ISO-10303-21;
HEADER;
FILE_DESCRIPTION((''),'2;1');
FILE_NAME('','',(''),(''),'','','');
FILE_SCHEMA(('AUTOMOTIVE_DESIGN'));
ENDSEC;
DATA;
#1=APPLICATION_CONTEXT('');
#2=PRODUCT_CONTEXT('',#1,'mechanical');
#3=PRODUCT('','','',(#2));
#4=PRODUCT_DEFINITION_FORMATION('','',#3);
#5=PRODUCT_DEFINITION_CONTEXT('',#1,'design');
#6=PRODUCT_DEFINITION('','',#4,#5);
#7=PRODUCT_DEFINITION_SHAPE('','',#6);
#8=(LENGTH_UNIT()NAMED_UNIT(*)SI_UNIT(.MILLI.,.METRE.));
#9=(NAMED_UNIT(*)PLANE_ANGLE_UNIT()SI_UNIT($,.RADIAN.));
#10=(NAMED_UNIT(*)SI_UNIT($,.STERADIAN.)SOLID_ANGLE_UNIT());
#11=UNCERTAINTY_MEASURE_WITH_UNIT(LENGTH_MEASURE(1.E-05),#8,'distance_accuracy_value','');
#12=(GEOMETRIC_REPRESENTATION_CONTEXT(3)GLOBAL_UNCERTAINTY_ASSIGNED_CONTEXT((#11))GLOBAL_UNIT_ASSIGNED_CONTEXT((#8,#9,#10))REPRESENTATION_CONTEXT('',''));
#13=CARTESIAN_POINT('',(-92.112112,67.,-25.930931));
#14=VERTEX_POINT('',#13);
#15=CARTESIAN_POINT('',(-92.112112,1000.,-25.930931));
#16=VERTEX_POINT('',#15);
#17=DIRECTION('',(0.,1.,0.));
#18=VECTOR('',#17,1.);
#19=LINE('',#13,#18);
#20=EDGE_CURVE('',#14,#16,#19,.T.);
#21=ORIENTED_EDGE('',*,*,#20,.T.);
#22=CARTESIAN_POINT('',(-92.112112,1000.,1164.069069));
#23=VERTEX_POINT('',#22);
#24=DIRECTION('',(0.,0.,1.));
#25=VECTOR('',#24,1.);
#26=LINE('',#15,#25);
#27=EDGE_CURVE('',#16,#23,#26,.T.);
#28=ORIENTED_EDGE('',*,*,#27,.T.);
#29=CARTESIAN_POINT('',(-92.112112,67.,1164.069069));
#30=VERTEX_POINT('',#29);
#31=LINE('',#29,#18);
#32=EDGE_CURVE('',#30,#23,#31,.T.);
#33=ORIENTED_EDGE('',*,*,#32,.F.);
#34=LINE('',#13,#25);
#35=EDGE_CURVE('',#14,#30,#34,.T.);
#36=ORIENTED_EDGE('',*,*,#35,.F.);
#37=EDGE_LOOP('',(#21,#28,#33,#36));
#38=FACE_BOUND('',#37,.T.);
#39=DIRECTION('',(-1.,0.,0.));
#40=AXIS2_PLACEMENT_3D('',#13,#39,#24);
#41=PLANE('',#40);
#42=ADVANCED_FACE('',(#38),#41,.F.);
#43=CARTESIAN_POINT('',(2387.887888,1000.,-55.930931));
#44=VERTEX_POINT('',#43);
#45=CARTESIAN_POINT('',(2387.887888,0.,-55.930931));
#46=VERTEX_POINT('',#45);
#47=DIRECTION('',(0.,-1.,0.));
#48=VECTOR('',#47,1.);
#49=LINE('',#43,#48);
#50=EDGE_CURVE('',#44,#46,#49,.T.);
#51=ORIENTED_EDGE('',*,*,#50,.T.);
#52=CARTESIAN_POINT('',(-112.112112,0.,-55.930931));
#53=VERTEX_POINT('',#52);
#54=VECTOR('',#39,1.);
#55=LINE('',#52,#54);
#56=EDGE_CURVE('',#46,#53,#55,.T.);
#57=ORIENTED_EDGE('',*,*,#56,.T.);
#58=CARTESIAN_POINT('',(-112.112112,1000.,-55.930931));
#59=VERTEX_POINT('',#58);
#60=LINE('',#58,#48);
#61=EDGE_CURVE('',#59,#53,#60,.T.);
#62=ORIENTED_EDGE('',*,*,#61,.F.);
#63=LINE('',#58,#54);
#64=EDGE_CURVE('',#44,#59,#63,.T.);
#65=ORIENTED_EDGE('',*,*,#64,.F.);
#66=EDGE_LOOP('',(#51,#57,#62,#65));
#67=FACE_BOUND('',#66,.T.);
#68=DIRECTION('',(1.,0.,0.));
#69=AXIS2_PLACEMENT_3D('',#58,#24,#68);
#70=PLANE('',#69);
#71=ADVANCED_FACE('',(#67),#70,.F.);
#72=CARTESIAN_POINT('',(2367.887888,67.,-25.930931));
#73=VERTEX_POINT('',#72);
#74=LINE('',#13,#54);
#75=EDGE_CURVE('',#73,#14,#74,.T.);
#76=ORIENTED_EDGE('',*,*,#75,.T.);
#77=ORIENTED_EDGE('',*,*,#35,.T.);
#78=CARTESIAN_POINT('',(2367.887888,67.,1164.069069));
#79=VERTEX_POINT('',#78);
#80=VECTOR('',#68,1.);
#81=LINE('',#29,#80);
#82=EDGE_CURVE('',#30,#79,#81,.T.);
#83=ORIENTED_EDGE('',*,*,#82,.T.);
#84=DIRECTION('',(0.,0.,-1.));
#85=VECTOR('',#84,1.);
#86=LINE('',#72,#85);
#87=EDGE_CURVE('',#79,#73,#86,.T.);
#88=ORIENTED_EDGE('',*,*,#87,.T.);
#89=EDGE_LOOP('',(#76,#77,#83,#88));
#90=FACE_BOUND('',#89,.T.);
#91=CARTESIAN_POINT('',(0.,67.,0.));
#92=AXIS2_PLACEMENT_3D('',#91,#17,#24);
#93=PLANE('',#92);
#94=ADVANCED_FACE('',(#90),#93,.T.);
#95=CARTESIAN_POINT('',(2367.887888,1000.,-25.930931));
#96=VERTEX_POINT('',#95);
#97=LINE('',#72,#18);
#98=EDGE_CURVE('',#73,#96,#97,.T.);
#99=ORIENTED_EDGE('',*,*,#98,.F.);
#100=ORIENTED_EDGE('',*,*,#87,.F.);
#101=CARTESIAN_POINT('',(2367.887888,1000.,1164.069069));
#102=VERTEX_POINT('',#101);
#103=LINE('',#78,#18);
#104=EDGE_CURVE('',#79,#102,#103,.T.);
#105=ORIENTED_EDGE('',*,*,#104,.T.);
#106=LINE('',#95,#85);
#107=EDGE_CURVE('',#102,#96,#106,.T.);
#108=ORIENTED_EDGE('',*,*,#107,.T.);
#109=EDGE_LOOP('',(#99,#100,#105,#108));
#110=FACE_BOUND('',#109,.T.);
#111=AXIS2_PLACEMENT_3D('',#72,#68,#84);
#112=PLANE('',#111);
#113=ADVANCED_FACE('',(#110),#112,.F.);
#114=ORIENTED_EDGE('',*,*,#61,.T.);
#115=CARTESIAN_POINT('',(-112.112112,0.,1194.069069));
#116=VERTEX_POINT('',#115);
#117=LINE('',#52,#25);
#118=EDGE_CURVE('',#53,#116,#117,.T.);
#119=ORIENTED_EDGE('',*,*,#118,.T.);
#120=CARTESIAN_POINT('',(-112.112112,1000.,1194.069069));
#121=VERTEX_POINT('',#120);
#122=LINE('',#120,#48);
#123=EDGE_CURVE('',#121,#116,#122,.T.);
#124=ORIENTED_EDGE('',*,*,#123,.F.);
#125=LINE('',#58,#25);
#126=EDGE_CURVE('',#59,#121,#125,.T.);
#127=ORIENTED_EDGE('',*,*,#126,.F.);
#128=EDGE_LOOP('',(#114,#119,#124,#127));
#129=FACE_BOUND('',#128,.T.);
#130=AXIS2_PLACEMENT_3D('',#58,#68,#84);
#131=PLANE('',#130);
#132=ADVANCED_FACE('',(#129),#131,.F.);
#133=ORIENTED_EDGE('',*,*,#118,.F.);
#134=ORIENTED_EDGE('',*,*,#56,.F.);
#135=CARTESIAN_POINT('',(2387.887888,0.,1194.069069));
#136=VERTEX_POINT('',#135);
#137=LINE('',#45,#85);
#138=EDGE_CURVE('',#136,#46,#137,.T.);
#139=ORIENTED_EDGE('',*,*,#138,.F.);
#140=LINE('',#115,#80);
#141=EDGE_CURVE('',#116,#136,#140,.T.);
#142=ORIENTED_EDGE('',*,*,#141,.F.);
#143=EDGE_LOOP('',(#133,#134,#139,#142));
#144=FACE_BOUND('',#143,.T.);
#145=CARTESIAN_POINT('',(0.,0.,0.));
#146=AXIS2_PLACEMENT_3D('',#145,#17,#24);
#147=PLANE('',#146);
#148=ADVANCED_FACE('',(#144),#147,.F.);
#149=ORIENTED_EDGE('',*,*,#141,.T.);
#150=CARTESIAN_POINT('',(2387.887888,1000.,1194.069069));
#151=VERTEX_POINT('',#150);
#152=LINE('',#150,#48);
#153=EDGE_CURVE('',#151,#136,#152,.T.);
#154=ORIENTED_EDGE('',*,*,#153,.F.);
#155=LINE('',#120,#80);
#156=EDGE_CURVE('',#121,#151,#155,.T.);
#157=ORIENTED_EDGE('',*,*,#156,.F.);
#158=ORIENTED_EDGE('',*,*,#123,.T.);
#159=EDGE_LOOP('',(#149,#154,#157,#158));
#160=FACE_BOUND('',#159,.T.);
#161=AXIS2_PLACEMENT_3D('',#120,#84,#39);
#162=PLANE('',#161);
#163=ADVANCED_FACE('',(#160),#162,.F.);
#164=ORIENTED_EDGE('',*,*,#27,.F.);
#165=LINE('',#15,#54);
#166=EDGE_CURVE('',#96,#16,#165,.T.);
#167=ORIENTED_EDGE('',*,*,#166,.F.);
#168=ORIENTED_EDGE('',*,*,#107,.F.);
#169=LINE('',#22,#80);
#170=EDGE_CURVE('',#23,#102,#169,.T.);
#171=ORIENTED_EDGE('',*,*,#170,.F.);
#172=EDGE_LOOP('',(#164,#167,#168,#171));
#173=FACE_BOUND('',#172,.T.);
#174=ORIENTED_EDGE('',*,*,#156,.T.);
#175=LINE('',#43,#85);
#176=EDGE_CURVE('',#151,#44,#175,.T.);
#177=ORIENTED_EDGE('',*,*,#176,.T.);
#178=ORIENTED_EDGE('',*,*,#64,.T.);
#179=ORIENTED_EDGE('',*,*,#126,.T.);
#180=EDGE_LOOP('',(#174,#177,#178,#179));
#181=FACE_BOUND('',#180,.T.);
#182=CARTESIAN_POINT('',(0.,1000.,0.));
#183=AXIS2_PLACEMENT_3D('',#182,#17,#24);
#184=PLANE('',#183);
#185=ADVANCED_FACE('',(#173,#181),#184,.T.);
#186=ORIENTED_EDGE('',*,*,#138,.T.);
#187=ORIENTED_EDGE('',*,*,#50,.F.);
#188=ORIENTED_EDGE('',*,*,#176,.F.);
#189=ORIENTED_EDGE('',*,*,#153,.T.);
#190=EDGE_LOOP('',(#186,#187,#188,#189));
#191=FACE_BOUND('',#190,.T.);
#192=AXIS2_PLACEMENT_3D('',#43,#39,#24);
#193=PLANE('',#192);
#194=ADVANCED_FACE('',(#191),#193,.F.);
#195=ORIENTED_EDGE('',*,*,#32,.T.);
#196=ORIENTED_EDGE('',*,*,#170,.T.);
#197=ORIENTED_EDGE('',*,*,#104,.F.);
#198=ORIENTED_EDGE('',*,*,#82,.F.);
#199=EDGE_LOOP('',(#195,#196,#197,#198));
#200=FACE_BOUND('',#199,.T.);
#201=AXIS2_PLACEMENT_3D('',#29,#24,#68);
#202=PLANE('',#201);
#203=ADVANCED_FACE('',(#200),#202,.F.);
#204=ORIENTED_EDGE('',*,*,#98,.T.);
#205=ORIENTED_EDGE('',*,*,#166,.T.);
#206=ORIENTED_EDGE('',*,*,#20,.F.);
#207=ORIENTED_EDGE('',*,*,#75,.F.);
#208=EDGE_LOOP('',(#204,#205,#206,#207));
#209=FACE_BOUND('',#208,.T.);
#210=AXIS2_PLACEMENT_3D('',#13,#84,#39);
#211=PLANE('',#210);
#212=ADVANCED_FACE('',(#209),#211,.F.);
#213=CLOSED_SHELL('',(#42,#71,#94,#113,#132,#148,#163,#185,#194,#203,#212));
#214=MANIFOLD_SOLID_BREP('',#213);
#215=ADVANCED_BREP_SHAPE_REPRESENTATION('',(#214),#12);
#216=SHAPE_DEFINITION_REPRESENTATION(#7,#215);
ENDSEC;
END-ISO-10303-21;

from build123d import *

# Parameters (mm, degrees)
SKETCH1_W           = 2500
SKETCH1_H           = 1250
BOSS_EXTRUDE1_DEPTH = 1000
SKETCH4_W           = 2460
SKETCH4_H           = 1190
CUT_EXTRUDE2_DEPTH  = 933


with BuildPart() as part:
    # Sketch1 → Boss-Extrude1 (new body)
    with BuildSketch(Plane(origin=(0, 0, 0), x_dir=(1, 0, 0), z_dir=(0, 1, 0))):
        with Locations((1137.887887888, -569.069069069)):
            Rectangle(SKETCH1_W, SKETCH1_H)
    extrude(amount=BOSS_EXTRUDE1_DEPTH)

    # Sketch4 → Cut-Extrude2 (cut)
    with BuildSketch(Plane(origin=(0, 1000, 0), x_dir=(1, 0, 0), z_dir=(0, 1, 0))):
        with Locations((1137.887887888, -569.069069069)):
            Rectangle(SKETCH4_W, SKETCH4_H)
    extrude(amount=-CUT_EXTRUDE2_DEPTH, mode=Mode.SUBTRACT)


solid = part.part
